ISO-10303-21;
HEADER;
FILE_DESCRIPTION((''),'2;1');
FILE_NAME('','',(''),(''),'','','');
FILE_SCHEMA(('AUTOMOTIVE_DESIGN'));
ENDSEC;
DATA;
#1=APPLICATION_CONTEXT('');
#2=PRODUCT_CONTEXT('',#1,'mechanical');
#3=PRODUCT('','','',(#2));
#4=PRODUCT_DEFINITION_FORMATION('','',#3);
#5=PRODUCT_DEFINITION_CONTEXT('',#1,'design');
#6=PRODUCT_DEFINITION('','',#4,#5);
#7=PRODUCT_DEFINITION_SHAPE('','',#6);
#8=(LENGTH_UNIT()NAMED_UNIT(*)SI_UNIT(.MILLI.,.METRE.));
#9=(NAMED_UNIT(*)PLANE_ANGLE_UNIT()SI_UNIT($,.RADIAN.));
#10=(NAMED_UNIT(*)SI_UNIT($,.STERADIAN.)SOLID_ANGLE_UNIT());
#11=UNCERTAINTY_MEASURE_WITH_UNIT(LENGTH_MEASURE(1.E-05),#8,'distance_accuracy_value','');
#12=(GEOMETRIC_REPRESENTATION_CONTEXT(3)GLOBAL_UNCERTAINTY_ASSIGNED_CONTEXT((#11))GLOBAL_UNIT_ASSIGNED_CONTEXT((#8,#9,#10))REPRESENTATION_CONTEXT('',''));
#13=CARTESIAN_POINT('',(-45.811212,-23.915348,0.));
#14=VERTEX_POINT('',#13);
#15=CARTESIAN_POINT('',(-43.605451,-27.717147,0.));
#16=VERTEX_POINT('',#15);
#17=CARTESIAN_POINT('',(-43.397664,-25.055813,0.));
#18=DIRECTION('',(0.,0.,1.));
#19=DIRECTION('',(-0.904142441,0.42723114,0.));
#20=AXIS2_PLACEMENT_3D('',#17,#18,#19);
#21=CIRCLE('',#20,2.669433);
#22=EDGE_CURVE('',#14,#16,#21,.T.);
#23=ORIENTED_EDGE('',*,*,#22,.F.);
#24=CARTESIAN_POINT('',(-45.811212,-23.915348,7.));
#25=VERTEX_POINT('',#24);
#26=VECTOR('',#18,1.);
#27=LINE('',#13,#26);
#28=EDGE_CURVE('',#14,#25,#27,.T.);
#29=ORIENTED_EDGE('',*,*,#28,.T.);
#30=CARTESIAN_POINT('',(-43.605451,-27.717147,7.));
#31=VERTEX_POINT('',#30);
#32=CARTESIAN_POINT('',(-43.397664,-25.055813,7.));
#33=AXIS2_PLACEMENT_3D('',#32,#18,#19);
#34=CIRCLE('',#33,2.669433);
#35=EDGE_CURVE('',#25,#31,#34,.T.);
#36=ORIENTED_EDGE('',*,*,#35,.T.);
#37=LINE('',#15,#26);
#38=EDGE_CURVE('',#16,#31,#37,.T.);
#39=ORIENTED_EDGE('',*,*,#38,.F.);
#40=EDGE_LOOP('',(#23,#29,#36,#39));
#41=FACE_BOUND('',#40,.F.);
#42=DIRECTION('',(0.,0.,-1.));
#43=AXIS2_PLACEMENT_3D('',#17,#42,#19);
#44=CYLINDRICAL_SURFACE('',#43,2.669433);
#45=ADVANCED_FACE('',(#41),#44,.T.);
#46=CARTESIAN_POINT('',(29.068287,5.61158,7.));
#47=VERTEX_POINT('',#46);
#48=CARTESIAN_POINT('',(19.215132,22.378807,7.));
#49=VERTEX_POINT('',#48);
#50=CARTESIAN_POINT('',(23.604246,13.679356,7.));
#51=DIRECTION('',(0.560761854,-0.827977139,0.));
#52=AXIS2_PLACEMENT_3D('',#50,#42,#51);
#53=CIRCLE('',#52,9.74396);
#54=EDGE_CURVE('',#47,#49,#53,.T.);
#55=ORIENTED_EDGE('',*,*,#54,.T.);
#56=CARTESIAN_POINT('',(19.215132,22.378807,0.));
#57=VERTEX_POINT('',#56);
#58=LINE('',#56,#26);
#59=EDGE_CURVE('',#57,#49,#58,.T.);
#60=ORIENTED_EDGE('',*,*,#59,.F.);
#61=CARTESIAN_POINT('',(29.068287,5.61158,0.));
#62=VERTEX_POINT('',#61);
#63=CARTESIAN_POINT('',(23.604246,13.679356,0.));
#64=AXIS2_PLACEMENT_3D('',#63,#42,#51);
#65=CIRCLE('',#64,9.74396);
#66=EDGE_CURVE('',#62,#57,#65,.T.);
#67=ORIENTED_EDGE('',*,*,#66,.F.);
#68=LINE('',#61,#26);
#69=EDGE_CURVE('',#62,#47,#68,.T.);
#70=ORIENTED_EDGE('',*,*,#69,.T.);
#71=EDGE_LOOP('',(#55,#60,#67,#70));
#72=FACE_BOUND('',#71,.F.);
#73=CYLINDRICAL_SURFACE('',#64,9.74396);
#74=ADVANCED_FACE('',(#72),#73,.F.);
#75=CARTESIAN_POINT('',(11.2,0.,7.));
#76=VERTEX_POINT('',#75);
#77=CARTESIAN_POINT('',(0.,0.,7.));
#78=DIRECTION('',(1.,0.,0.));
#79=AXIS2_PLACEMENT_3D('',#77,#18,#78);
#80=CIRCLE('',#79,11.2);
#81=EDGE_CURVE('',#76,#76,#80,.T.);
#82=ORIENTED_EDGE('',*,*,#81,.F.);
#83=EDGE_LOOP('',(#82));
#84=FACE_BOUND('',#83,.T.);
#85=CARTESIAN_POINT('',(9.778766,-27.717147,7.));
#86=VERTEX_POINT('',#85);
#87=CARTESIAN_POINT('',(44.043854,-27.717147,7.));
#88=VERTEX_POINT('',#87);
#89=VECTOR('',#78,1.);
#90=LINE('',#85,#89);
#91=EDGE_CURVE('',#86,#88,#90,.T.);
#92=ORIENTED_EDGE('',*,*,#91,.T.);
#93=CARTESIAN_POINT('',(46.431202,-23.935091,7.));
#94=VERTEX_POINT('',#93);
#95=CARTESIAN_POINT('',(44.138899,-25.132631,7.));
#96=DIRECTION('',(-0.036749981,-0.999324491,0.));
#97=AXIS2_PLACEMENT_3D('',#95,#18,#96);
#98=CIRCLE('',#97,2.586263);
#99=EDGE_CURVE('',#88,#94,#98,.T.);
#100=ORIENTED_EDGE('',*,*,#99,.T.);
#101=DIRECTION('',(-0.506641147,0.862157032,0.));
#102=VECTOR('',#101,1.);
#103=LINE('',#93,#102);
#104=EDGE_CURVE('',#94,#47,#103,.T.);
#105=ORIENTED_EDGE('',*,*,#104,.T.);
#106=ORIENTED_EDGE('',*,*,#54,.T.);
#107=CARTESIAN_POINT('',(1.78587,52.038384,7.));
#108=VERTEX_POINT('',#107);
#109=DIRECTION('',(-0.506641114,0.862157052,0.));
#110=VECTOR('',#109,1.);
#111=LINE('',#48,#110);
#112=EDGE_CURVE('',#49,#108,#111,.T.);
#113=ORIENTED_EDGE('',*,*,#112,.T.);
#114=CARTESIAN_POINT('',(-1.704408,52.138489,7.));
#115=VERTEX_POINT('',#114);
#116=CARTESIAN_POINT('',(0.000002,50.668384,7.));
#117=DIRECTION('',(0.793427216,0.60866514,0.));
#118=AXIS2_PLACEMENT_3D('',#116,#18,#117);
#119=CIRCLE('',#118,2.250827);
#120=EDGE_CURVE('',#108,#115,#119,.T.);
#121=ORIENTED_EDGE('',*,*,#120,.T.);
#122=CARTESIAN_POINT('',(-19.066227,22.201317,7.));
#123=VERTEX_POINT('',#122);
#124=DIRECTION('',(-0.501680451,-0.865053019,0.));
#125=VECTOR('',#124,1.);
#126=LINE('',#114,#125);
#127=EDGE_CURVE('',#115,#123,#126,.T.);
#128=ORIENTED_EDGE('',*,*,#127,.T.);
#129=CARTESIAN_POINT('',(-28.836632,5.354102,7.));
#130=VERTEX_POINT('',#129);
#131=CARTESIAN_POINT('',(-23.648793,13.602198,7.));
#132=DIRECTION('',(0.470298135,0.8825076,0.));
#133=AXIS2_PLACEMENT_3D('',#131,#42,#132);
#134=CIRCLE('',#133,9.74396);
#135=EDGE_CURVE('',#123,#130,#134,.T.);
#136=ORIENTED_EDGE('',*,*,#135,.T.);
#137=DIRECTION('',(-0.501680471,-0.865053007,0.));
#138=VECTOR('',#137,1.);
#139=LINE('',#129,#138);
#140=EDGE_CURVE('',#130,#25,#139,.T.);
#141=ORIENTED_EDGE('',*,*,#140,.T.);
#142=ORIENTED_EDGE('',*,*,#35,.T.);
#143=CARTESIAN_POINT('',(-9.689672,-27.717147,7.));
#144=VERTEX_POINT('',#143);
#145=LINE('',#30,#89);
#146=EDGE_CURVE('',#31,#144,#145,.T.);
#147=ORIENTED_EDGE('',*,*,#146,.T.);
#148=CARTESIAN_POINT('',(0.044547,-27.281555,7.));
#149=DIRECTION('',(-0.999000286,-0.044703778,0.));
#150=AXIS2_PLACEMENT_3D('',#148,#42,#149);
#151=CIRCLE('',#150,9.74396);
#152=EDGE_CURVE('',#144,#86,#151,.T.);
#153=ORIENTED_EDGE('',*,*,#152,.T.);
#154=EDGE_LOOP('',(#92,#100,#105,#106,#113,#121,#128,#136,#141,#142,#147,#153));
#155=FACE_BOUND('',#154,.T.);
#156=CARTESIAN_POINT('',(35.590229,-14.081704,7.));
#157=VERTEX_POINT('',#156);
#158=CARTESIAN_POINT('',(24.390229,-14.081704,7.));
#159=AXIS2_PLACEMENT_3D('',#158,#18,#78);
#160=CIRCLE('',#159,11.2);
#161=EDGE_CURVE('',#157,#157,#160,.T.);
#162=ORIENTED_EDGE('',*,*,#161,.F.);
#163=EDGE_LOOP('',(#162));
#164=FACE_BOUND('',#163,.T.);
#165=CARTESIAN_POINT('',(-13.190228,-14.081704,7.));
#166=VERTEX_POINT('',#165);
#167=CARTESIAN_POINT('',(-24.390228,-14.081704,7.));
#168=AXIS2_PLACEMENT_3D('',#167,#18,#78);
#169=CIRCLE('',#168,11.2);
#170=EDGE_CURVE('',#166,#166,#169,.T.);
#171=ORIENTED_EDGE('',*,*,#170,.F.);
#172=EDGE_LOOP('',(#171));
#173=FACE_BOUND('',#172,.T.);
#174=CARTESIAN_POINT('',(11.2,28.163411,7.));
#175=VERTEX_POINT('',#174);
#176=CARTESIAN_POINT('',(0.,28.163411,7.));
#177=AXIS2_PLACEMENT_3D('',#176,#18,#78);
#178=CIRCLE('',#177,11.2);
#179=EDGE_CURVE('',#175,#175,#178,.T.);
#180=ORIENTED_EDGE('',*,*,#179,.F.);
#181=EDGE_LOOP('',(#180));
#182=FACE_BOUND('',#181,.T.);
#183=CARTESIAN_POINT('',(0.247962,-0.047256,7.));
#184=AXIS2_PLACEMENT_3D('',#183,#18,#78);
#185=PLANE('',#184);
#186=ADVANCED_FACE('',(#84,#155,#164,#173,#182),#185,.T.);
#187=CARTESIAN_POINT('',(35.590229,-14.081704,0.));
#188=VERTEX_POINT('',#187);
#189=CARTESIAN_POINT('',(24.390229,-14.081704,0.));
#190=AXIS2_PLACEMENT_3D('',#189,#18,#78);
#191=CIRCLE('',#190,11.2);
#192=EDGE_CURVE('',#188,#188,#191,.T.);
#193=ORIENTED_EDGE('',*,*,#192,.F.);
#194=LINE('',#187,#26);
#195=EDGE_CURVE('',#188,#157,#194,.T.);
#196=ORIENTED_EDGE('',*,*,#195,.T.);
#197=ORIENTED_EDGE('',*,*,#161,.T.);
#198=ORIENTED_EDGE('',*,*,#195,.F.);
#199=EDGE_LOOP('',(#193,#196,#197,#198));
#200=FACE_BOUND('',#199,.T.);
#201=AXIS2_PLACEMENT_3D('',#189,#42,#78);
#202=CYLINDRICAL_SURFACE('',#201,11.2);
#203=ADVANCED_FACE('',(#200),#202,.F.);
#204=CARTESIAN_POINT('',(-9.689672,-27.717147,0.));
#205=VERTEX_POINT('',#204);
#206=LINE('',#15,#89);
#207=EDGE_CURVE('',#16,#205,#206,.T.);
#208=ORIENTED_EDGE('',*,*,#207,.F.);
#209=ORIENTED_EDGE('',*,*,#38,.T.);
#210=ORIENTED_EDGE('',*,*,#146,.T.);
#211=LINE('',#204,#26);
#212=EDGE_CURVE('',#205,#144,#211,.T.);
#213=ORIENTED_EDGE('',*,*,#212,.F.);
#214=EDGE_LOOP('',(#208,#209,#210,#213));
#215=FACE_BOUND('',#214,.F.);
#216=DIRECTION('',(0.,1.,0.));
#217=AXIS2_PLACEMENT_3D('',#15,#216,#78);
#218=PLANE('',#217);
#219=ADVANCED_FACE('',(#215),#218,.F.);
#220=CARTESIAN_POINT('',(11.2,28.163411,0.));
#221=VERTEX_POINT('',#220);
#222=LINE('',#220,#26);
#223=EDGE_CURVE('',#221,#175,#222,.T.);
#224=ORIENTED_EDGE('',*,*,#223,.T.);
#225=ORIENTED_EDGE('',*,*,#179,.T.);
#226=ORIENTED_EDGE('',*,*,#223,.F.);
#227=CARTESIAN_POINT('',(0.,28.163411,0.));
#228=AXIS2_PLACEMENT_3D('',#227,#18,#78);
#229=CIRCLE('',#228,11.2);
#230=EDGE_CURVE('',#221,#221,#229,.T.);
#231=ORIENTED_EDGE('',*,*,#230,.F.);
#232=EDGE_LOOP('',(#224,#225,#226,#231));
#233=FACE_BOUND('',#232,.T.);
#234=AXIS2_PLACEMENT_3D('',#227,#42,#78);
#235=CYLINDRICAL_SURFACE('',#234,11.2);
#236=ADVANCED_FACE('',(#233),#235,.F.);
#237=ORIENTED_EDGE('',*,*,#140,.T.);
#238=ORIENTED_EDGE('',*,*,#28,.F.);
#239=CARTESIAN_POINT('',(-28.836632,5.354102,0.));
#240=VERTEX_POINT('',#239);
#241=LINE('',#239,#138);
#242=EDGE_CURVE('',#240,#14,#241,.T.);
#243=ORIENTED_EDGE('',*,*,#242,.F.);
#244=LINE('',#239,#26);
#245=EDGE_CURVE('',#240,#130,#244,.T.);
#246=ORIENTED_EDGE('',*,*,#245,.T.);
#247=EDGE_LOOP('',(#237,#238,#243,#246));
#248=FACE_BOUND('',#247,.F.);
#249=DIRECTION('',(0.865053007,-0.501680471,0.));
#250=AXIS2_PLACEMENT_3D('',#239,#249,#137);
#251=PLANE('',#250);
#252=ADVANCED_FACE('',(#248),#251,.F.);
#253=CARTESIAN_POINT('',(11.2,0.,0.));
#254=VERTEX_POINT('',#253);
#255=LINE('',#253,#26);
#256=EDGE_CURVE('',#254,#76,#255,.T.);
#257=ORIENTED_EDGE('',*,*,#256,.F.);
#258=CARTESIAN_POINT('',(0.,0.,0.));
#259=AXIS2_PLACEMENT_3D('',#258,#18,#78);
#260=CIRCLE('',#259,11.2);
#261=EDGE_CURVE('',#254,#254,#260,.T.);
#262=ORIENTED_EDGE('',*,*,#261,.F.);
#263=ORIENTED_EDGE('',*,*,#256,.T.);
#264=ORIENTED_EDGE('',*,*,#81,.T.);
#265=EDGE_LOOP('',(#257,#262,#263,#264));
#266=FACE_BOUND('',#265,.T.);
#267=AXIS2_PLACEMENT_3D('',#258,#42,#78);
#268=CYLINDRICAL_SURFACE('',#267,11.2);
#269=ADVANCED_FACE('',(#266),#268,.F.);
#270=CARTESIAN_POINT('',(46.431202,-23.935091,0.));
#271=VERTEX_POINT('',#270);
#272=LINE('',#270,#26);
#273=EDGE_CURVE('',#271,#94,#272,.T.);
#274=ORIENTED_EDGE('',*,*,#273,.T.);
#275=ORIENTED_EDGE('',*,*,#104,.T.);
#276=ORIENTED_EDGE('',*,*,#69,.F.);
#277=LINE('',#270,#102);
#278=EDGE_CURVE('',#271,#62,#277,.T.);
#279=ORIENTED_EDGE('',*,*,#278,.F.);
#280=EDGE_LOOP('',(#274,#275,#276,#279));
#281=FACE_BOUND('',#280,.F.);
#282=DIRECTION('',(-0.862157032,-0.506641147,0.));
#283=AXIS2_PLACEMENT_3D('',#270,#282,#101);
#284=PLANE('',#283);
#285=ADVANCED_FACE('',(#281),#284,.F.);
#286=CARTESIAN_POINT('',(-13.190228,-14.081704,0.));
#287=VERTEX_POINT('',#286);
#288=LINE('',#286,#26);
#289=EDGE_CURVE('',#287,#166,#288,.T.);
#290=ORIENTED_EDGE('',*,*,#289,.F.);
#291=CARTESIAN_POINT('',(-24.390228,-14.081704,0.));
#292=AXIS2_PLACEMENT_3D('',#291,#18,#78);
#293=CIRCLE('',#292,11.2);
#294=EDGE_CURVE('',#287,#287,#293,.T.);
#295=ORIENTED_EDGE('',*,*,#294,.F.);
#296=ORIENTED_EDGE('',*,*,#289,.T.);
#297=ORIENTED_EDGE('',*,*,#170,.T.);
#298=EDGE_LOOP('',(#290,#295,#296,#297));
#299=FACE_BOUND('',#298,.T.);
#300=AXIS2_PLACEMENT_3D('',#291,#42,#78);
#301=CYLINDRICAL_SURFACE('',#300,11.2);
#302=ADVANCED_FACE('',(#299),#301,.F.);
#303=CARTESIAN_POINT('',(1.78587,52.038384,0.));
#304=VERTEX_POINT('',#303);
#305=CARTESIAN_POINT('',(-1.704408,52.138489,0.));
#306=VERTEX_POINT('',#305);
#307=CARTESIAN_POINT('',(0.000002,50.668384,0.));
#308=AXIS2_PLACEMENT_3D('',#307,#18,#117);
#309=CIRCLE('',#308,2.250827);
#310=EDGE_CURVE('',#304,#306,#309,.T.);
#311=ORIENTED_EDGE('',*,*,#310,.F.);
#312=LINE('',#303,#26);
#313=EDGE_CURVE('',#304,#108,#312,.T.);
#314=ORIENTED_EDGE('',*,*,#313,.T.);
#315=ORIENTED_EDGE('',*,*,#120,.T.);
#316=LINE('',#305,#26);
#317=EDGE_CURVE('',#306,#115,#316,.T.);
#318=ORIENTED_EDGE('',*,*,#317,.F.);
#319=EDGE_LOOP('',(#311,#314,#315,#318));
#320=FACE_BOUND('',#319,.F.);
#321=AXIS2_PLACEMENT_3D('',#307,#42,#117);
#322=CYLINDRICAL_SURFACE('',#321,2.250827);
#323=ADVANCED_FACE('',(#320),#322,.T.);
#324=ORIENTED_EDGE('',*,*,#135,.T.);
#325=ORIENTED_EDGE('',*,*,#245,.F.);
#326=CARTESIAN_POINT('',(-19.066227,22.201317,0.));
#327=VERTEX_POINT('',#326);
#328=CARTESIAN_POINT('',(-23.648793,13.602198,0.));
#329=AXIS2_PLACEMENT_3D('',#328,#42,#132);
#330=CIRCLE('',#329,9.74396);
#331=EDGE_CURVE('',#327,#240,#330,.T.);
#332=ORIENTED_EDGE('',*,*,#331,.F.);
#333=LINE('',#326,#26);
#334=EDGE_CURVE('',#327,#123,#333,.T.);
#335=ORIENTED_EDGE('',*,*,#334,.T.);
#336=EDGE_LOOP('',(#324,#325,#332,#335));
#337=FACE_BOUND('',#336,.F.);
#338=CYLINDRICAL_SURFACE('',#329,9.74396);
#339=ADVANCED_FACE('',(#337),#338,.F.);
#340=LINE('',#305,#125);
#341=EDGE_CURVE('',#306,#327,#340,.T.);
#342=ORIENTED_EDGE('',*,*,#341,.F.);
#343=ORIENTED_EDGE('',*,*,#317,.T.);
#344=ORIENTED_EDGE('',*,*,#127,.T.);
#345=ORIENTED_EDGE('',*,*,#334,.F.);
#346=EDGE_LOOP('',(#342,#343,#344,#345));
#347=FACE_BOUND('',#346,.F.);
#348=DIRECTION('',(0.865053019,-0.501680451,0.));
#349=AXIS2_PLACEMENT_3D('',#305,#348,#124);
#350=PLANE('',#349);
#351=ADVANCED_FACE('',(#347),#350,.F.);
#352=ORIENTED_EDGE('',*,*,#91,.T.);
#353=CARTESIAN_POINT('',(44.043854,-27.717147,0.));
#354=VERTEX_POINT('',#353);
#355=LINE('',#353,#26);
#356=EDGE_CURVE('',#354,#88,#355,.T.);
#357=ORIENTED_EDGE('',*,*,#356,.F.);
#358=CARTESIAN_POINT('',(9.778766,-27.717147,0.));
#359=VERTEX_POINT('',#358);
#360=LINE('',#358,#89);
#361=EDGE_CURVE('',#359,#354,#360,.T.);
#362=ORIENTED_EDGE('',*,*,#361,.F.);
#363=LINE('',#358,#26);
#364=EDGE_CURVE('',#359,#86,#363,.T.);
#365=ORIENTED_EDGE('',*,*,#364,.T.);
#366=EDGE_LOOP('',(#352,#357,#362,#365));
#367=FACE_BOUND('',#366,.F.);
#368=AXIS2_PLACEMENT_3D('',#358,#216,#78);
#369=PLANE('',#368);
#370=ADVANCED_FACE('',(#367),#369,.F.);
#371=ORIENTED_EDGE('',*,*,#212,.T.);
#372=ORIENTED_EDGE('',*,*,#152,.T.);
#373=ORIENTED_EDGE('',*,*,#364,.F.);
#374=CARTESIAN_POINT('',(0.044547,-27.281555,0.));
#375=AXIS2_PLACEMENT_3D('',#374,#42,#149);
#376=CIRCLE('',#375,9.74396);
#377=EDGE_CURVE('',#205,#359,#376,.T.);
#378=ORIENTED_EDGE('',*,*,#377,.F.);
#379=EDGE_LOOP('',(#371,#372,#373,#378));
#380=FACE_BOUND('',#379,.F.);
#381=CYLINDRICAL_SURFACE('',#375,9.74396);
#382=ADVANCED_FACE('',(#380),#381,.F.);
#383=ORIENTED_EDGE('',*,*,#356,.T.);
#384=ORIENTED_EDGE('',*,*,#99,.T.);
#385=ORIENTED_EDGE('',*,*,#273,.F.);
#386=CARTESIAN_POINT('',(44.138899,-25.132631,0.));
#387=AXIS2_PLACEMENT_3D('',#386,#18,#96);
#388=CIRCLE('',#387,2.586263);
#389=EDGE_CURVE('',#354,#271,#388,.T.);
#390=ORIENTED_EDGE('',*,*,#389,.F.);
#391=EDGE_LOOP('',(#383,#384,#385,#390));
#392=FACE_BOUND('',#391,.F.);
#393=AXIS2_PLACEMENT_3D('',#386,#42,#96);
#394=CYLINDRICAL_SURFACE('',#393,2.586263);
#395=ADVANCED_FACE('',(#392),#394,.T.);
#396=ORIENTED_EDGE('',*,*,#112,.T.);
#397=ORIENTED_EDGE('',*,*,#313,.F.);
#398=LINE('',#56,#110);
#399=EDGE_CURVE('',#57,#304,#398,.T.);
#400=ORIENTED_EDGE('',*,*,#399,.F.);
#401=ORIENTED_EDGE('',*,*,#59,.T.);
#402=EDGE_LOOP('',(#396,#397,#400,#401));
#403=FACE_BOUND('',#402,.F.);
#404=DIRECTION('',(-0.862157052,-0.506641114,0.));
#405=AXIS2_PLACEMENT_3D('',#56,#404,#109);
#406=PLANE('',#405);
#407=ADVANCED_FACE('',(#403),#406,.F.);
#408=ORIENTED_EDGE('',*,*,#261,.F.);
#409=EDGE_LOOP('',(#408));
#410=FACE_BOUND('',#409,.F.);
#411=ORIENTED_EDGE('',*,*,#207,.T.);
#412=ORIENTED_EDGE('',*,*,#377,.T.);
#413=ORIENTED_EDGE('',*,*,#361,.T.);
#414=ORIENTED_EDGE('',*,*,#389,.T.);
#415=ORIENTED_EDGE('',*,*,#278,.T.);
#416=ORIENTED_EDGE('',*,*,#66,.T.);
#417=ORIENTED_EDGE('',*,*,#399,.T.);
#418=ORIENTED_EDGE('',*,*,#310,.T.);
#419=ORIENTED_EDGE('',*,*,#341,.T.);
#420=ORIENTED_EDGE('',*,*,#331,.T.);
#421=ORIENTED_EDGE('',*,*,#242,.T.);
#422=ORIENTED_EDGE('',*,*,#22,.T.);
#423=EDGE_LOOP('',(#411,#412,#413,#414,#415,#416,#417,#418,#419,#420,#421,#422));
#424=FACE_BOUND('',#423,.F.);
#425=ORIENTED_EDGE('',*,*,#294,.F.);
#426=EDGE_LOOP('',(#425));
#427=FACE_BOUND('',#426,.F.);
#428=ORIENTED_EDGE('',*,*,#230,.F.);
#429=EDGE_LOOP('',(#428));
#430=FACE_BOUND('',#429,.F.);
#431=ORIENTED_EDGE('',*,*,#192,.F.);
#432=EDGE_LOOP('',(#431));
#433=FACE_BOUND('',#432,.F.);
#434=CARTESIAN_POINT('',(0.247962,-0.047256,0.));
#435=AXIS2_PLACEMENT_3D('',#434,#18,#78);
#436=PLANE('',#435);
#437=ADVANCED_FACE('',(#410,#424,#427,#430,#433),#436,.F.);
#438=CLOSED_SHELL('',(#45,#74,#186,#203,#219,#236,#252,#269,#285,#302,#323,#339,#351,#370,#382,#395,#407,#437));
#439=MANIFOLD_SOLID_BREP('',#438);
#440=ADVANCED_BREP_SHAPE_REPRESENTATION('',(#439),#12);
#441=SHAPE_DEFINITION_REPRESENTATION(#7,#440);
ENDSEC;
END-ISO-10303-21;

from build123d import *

# Parameters (mm, degrees)
F0_R     = 11.2
F1_DEPTH = 7


with BuildPart() as f1:
    # F0 (on Top) → F1 (new body)
    with BuildSketch(Plane.XY):
        with BuildLine():
            ThreePointArc((1.78587, 52.038384), (0.064532, 52.918286), (-1.704408, 52.138489))
            Line((-1.704408, 52.138489), (-19.066227, 22.201317))
            ThreePointArc((-19.066227, 22.201317), (-15.219751, 8.713844), (-28.836632, 5.354102))
            Line((-28.836632, 5.354102), (-45.811212, -23.915348))
            ThreePointArc((-45.811212, -23.915348), (-45.706618, -26.395442), (-43.605451, -27.717147))
            Line((-43.605451, -27.717147), (-9.689672, -27.717147))
            ThreePointArc((-9.689672, -27.717147), (0.044547, -17.537595), (9.778766, -27.717147))
            Line((9.778766, -27.717147), (44.043854, -27.717147))
            ThreePointArc((44.043854, -27.717147), (46.3259, -26.513132), (46.431202, -23.935091))
            Line((46.431202, -23.935091), (29.068287, 5.61158))
            ThreePointArc((29.068287, 5.61158), (15.203422, 8.742665), (19.215132, 22.378807))
            Line((19.215132, 22.378807), (1.78587, 52.038384))
        make_face()
        with Locations((-24.390228, -14.081704)):
            Circle(F0_R, mode=Mode.SUBTRACT)
        Circle(F0_R, mode=Mode.SUBTRACT)
        with Locations((24.390229, -14.081704)):
            Circle(F0_R, mode=Mode.SUBTRACT)
        with Locations((0, 28.163411)):
            Circle(F0_R, mode=Mode.SUBTRACT)
    extrude(amount=F1_DEPTH)


solid = f1.part
